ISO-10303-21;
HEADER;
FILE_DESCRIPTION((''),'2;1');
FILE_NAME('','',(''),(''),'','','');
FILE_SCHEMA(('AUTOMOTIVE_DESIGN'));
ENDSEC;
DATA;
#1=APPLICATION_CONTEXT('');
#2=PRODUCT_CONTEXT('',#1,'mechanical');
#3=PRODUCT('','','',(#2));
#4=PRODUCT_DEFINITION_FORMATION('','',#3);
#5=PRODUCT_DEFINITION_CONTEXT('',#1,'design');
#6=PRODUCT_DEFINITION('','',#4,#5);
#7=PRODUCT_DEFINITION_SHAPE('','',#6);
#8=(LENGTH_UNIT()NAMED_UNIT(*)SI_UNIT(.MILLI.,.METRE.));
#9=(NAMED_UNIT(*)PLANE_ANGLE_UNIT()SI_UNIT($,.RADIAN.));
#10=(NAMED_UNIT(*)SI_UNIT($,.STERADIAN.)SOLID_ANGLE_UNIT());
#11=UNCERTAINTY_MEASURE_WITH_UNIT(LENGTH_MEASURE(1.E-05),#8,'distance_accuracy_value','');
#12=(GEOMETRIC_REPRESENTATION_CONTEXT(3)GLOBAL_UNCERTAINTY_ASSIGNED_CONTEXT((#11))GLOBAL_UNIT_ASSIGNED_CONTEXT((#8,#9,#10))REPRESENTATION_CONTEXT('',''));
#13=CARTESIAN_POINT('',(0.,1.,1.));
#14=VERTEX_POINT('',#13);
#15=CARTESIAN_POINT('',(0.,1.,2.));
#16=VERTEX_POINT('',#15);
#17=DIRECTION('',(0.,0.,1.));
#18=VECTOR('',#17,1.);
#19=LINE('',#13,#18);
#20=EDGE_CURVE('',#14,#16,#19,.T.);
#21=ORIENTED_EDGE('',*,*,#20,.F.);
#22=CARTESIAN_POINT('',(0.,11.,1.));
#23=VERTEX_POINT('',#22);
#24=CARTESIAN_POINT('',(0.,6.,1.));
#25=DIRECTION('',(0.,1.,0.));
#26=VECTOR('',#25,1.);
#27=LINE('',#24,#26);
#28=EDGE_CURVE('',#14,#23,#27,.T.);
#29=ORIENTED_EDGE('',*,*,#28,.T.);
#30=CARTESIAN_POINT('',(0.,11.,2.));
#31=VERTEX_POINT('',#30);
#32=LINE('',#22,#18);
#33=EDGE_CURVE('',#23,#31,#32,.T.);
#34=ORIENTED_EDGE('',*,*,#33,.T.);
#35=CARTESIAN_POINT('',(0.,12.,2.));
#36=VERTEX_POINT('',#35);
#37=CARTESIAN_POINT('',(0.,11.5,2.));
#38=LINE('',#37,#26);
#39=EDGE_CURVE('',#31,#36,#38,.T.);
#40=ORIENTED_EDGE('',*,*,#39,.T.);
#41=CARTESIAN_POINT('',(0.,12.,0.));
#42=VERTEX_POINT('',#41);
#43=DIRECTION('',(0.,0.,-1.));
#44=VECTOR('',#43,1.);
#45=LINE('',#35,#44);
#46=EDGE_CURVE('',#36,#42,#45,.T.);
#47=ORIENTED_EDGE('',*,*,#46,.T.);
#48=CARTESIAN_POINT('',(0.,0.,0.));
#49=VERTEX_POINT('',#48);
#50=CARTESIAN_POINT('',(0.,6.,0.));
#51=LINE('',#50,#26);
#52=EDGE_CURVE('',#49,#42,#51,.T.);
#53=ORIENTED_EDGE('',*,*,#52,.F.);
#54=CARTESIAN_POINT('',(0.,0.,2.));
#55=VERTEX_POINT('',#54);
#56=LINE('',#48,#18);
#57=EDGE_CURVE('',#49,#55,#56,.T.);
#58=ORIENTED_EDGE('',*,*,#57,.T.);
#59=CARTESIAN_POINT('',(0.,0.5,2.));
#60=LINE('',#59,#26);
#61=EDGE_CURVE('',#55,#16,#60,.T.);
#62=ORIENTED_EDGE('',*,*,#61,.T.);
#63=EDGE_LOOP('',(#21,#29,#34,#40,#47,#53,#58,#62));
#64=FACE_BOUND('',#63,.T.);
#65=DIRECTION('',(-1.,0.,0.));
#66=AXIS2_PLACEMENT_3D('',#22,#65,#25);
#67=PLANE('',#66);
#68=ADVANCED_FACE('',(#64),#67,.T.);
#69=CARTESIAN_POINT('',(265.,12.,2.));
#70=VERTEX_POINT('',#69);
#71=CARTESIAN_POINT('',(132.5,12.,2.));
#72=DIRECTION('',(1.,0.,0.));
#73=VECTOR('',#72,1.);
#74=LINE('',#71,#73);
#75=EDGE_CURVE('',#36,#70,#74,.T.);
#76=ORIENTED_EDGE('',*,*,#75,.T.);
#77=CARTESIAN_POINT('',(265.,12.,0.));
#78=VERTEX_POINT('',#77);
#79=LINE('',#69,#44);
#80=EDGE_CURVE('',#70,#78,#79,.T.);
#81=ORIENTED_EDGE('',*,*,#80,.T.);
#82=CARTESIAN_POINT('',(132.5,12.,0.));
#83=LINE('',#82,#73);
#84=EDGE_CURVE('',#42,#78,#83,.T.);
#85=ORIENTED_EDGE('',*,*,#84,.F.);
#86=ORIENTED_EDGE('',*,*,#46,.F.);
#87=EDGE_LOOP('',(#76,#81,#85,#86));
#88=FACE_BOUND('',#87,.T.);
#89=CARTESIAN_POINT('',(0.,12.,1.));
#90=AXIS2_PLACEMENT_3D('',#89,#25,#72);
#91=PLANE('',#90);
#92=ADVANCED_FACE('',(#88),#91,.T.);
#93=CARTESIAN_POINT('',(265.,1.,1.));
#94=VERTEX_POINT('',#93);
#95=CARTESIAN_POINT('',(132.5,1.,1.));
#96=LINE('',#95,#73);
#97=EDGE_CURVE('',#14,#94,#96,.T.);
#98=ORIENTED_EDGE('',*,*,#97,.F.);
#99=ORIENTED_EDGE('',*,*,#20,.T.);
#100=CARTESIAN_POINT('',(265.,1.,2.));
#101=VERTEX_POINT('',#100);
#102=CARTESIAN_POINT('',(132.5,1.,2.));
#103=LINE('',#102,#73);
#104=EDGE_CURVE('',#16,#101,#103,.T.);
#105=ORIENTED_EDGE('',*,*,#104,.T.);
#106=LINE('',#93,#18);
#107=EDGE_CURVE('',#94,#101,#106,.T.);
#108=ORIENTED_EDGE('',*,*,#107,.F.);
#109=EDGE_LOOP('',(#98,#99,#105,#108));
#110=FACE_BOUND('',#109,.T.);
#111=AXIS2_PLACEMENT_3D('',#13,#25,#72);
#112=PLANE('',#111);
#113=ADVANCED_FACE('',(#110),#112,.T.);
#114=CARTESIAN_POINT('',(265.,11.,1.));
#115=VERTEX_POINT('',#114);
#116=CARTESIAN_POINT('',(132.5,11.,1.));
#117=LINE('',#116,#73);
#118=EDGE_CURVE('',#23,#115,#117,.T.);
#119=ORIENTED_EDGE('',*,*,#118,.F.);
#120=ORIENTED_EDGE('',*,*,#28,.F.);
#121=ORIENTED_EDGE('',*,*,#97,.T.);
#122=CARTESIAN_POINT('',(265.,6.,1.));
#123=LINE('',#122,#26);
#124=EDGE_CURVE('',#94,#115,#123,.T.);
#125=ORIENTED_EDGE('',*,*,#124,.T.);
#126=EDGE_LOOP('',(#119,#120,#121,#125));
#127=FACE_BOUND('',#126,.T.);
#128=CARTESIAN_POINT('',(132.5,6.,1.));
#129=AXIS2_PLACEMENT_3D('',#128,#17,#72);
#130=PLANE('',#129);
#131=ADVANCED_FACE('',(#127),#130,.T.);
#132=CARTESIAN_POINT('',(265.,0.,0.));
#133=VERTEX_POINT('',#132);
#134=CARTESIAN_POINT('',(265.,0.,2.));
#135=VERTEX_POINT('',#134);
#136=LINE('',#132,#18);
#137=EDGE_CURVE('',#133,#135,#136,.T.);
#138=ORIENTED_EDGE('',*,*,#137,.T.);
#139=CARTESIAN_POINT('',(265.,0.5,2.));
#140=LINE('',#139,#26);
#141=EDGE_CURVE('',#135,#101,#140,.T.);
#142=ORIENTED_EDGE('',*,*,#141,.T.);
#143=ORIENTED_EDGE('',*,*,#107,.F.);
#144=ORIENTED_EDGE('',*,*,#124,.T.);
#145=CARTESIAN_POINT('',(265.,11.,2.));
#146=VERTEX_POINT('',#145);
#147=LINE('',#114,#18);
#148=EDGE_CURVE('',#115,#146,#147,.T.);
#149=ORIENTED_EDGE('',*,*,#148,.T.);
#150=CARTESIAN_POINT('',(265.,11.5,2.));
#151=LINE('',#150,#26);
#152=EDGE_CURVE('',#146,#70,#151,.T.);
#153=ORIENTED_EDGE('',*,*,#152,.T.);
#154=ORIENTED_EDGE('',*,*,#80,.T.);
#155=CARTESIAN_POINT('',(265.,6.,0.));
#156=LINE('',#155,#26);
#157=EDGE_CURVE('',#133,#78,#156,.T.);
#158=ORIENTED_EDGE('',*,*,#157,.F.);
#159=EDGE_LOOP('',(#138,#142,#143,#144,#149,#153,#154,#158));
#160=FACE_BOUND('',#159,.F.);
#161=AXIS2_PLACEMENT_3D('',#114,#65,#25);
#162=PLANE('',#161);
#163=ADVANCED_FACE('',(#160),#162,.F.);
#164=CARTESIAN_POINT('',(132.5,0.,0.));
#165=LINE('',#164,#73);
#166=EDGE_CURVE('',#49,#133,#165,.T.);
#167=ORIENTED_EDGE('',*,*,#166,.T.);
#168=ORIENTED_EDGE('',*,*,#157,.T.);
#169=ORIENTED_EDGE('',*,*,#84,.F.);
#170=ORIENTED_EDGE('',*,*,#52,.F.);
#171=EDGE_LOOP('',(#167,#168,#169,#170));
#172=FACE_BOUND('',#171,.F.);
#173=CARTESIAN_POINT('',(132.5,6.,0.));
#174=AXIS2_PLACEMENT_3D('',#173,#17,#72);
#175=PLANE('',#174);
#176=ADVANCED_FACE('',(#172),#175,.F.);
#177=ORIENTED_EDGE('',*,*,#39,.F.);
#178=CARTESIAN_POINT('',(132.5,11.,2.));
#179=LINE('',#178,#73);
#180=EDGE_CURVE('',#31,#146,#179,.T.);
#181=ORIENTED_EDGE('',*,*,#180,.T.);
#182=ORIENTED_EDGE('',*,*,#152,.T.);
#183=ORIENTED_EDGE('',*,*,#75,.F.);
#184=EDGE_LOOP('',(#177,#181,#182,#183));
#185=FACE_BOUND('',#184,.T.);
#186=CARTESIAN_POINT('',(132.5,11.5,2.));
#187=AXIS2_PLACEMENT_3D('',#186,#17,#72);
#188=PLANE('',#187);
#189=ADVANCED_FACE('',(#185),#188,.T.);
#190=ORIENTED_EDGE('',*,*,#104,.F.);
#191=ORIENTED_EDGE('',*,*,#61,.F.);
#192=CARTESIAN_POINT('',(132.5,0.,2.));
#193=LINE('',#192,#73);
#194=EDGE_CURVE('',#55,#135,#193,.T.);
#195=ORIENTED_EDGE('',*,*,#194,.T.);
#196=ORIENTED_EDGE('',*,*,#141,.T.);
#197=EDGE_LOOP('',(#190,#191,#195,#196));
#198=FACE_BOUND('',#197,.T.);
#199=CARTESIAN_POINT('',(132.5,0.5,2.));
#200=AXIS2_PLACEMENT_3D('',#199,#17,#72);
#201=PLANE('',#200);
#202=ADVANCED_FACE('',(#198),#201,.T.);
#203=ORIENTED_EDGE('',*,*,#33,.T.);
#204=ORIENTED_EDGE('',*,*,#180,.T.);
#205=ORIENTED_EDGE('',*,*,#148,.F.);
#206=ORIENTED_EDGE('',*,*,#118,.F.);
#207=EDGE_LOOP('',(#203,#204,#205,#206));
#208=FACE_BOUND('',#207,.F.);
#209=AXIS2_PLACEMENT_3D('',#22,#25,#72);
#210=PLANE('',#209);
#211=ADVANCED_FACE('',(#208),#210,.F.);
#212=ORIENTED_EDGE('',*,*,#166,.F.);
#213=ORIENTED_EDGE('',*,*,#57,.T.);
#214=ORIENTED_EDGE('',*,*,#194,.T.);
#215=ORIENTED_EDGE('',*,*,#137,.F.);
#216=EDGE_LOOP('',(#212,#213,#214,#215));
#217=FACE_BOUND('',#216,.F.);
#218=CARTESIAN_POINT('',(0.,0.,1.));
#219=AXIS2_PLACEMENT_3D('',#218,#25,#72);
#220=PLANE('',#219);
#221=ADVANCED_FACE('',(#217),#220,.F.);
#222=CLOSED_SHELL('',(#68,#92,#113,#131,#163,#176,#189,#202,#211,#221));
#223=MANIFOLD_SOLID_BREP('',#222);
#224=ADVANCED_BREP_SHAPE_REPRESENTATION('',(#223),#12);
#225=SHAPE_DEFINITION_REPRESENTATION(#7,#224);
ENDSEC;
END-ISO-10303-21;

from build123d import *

# Parameters (mm, degrees)
RECTANGLE008_W   = 265
RECTANGLE008_H   = 1
EXTRUDE011_DEPTH = 1
RECTANGLE007_W   = 265
RECTANGLE007_H   = 1
EXTRUDE012_DEPTH = 1
RECTANGLE009_W   = 265
RECTANGLE009_H   = 12
EXTRUDE010_DEPTH = 1


with BuildPart() as h_bottom_lip:
    # Rectangle008 → Extrude011 (new body)
    with BuildSketch(Plane.XY.offset(1)):
        with Locations((132.5, 0.5)):
            Rectangle(RECTANGLE008_W, RECTANGLE008_H)
    extrude(amount=EXTRUDE011_DEPTH)


with BuildPart() as h_top_lip:
    # Rectangle007 → Extrude012 (new body)
    with BuildSketch(Plane(origin=(0, 11, 1), x_dir=(1, 0, 0), z_dir=(0, 0, 1))):
        with Locations((132.5, 0.5)):
            Rectangle(RECTANGLE007_W, RECTANGLE007_H)
    extrude(amount=EXTRUDE012_DEPTH)


with BuildPart() as h_holder:
    # Rectangle009 → Extrude010 (new body)
    with BuildSketch(Plane.XY):
        with Locations((132.5, 6)):
            Rectangle(RECTANGLE009_W, RECTANGLE009_H)
    extrude(amount=EXTRUDE010_DEPTH)

    # Fusion005: union h_bottom_lip, h_top_lip
    add(h_bottom_lip.part)
    add(h_top_lip.part)


solid = h_holder.part
